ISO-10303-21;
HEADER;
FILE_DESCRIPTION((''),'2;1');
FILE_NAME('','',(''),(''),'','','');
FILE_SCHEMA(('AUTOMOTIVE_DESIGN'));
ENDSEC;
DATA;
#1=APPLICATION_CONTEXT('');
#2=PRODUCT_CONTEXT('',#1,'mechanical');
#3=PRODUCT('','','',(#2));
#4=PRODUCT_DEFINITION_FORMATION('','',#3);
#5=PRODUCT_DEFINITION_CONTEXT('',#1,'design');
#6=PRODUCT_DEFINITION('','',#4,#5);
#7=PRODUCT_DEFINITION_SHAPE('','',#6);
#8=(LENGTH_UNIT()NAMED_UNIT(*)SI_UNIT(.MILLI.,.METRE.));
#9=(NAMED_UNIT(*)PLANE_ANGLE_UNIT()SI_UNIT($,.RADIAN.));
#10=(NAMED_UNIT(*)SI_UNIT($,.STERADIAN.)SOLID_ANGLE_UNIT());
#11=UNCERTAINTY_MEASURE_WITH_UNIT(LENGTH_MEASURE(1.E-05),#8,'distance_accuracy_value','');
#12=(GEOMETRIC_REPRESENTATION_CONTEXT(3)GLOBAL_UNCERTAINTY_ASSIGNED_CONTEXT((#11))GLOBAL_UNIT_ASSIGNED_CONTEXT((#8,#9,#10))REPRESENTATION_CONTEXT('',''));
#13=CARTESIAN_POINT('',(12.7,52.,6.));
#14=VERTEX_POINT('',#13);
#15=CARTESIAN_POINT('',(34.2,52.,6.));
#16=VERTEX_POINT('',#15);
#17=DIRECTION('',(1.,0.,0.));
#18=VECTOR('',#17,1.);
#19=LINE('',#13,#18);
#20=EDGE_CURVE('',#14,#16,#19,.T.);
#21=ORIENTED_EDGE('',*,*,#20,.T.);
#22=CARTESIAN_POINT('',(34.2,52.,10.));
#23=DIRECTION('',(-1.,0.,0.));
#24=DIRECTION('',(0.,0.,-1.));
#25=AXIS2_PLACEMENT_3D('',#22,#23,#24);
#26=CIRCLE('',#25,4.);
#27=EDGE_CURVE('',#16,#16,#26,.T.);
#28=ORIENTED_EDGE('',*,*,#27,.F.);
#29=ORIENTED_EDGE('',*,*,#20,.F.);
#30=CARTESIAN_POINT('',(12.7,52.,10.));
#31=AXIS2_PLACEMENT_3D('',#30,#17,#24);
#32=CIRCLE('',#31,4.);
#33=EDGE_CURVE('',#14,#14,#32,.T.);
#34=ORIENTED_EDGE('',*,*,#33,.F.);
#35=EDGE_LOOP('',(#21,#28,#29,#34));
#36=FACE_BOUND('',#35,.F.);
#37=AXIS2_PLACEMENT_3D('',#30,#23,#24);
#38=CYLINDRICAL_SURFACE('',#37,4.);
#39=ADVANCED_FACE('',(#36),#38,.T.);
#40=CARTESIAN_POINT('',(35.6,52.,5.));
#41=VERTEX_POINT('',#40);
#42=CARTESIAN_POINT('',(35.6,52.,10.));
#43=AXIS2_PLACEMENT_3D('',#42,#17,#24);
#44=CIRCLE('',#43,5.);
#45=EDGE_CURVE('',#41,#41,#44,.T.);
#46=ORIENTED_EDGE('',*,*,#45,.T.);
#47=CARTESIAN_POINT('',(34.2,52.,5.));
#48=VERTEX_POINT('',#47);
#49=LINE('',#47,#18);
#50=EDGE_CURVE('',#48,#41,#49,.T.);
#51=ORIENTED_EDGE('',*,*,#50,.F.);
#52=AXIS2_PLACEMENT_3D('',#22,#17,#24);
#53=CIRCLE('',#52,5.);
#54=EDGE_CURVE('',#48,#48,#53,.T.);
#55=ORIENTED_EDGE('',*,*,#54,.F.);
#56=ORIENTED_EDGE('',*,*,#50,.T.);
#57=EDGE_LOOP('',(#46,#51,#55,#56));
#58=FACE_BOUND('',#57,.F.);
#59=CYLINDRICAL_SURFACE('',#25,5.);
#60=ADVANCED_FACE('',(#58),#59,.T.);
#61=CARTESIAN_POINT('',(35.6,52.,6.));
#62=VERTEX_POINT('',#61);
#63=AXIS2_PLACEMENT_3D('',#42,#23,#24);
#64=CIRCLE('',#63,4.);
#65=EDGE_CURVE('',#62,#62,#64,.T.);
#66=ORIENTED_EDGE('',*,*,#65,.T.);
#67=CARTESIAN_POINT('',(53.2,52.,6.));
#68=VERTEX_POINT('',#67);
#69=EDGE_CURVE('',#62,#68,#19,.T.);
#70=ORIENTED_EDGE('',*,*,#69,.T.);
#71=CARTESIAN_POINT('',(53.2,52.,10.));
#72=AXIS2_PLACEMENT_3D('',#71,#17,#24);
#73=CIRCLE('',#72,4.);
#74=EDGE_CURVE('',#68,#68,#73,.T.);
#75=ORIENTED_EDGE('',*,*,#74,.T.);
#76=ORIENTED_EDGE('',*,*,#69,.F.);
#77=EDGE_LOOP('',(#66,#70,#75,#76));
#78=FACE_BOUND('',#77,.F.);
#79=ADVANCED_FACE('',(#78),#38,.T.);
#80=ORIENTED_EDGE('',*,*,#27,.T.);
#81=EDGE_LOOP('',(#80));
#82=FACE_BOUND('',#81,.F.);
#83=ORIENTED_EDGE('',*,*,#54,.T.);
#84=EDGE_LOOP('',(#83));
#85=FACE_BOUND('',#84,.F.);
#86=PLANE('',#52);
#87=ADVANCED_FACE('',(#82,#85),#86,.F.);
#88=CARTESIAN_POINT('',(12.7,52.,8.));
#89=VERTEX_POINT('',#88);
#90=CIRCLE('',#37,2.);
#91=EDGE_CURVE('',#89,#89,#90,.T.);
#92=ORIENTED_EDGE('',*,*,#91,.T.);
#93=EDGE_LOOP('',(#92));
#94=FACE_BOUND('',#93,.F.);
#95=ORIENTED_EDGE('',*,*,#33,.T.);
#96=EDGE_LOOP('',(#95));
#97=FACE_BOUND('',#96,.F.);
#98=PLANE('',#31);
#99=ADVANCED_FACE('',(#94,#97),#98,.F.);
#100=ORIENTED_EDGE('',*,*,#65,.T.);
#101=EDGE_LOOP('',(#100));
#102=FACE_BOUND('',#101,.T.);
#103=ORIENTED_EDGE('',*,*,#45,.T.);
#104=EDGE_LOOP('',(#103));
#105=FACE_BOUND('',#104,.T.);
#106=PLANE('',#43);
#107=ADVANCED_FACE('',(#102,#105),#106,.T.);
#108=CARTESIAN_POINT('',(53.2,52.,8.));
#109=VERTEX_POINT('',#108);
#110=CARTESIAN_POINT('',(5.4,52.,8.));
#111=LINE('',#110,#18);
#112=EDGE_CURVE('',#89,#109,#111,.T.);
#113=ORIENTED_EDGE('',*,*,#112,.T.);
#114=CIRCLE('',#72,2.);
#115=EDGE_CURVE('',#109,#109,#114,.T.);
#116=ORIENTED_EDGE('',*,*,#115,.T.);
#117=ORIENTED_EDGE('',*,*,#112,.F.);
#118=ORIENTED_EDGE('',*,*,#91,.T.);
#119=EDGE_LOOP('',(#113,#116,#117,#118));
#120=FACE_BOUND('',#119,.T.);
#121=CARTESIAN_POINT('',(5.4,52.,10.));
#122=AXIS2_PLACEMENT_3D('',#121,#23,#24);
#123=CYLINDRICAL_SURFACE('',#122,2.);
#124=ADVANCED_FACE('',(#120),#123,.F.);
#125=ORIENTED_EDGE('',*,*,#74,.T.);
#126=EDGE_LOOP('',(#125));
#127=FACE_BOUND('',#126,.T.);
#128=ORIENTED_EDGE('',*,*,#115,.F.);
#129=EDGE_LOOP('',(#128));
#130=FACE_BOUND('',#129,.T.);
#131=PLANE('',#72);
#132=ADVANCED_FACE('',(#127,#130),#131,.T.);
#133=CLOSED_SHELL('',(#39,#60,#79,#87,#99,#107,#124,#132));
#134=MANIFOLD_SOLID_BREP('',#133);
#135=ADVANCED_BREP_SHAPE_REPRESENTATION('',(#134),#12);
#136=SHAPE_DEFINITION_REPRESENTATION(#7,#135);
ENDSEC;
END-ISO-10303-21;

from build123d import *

# Parameters (mm, degrees)
CYLINDER135_R     = 2
CYLINDER135_DEPTH = 47.8
CYLINDER117_R     = 4
CYLINDER117_DEPTH = 40.5
CYLINDER108_R     = 5
CYLINDER108_DEPTH = 1.4


with BuildPart() as cylinder135:
    # Cylinder135 → Cylinder135 (new body)
    with BuildSketch(Plane(origin=(9.4, 62, 10), x_dir=(0, 0, -1), z_dir=(1, 0, 0))):
        Circle(CYLINDER135_R)
    extrude(amount=CYLINDER135_DEPTH)


with BuildPart() as cylinder117:
    # Cylinder117 → Cylinder117 (new body)
    with BuildSketch(Plane(origin=(16.7, 62, 10), x_dir=(0, 0, -1), z_dir=(1, 0, 0))):
        Circle(CYLINDER117_R)
    extrude(amount=CYLINDER117_DEPTH)


with BuildPart() as cut092:
    # Cylinder108 → Cylinder108 (new body)
    with BuildSketch(Plane(origin=(38.2, 62, 10), x_dir=(0, 0, -1), z_dir=(1, 0, 0))):
        Circle(CYLINDER108_R)
    extrude(amount=CYLINDER108_DEPTH)

    # Fusion141: union Cylinder117
    add(cylinder117.part)

    # Cut092: cut Cylinder135
    add(cylinder135.part, mode=Mode.SUBTRACT)


with BuildPart() as cut092_1:
    # Cut092 placement: moved
    add(cut092.part.moved(Location((-4, -10, 0))))


solid = cut092_1.part
